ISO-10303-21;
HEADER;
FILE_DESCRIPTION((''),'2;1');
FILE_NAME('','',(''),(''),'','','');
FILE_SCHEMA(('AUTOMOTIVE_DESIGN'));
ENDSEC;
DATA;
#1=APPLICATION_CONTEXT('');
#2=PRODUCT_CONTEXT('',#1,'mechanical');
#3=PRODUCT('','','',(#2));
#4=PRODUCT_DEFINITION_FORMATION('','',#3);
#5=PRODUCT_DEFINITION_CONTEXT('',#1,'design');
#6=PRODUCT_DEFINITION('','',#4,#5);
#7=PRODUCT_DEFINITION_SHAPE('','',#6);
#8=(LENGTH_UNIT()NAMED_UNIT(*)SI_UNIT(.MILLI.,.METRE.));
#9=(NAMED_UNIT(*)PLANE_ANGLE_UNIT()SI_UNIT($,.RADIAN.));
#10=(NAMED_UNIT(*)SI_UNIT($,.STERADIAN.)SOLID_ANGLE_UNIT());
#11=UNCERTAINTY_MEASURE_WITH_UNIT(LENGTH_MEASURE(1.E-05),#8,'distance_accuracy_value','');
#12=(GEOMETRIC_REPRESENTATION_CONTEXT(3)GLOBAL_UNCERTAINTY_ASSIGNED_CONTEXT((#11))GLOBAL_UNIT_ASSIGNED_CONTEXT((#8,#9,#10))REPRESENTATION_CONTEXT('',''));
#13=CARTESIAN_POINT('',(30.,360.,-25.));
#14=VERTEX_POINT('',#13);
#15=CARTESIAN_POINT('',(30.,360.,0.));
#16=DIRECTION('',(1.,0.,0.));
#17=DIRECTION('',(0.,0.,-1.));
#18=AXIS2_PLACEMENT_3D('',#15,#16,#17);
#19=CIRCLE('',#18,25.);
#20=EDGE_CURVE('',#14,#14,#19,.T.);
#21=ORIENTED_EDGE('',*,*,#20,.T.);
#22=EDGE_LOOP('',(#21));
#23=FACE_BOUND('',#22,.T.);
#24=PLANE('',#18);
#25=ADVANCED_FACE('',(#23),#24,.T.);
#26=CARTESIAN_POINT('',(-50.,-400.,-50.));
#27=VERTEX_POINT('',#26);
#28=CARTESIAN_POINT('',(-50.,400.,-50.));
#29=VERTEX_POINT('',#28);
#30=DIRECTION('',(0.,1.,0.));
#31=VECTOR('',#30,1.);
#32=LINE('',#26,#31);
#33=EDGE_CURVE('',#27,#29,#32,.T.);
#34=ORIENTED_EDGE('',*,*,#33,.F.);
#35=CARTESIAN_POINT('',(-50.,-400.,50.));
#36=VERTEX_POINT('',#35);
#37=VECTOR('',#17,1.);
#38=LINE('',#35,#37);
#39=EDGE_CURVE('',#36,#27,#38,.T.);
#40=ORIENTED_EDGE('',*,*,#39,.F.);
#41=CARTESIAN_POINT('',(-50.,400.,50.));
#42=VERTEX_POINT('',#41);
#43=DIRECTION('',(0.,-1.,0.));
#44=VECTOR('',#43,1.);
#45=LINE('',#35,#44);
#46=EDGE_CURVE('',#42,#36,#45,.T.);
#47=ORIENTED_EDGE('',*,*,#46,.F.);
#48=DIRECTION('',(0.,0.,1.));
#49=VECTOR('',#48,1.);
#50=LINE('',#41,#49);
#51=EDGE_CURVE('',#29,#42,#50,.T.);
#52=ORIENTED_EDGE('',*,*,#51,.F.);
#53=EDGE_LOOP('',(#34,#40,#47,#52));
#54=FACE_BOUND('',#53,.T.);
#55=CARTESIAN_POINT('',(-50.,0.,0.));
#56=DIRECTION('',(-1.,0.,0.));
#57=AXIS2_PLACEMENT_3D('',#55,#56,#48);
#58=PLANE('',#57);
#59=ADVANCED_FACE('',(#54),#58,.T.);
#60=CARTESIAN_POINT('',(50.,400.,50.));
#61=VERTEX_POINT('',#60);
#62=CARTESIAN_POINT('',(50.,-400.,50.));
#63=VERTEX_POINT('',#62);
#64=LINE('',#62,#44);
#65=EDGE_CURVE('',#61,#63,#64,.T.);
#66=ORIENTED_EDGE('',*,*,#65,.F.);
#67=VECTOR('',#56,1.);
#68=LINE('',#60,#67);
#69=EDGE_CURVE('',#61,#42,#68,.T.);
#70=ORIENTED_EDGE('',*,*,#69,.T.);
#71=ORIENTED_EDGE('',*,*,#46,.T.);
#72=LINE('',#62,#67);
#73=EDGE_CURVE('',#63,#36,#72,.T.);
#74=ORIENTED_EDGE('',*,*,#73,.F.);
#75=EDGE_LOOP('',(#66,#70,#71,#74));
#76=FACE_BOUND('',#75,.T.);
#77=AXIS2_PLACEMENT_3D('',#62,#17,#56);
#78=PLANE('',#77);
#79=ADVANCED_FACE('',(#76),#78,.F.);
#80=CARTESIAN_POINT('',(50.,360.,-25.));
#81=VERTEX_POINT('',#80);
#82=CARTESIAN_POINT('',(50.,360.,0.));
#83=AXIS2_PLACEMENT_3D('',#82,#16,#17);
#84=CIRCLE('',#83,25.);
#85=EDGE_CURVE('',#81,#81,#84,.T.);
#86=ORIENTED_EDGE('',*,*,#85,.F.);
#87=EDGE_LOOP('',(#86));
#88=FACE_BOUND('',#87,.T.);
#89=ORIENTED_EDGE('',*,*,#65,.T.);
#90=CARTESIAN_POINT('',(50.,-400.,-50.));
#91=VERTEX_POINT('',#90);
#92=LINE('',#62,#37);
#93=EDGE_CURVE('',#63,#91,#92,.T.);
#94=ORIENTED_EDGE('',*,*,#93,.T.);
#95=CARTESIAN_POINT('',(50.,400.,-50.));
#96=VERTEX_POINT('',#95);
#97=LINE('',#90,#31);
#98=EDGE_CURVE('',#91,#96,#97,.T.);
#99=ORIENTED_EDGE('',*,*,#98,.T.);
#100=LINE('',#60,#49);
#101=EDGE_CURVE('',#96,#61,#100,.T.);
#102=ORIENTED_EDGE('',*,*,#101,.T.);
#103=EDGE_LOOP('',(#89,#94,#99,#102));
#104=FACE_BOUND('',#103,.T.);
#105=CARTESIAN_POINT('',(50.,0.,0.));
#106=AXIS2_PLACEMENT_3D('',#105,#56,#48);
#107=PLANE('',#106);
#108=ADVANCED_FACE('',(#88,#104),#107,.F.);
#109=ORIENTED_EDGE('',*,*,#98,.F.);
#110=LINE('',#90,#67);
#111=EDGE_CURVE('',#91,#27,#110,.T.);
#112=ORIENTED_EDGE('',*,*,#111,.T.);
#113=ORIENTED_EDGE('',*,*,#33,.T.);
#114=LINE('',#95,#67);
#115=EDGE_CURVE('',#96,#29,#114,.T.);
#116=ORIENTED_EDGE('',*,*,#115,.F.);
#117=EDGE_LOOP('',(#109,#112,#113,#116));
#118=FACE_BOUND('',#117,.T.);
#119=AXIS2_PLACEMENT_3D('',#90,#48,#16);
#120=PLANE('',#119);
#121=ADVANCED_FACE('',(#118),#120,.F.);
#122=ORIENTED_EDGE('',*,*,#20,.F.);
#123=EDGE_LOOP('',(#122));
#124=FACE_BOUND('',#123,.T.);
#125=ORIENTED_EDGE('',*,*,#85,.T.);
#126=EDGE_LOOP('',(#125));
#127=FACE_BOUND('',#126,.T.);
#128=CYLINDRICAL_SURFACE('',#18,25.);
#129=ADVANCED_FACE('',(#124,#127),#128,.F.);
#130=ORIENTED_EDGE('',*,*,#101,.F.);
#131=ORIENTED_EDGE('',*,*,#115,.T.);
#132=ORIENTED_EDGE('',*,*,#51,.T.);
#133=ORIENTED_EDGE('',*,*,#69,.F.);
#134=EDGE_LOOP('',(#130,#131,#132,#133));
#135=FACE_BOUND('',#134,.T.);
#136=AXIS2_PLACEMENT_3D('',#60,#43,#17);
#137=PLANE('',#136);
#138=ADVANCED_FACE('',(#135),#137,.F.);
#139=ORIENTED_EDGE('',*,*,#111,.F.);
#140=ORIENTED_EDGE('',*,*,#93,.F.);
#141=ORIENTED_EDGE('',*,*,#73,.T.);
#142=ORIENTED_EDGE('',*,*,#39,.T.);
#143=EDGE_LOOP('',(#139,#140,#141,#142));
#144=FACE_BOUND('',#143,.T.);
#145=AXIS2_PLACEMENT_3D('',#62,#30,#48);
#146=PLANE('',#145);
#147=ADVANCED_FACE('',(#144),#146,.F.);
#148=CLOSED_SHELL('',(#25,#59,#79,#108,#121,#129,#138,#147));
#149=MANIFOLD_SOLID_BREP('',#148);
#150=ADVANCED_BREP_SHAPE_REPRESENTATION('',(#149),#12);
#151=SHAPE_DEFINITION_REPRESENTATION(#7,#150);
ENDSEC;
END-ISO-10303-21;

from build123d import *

# Parameters (mm, degrees)
SKETCH1_W           = 100
SKETCH1_H           = 800
BOSS_EXTRUDE1_DEPTH = 50
SKETCH2_R           = 25
CUT_EXTRUDE1_DEPTH  = 20


with BuildPart() as part:
    # Sketch1 → Boss-Extrude1 (new, symmetric)
    with BuildSketch(Plane(origin=(0, 0, 0), x_dir=(0, 0, -1), z_dir=(1, 0, 0))):
        Rectangle(SKETCH1_W, SKETCH1_H)
    extrude(amount=BOSS_EXTRUDE1_DEPTH, both=True)

    # Sketch2 → Cut-Extrude1 (cut)
    with BuildSketch(Plane(origin=(50, 0, 0), x_dir=(0, 0, -1), z_dir=(1, 0, 0))):
        with Locations((0, 360)):
            Circle(SKETCH2_R)
    extrude(amount=-CUT_EXTRUDE1_DEPTH, mode=Mode.SUBTRACT)


solid = part.part
